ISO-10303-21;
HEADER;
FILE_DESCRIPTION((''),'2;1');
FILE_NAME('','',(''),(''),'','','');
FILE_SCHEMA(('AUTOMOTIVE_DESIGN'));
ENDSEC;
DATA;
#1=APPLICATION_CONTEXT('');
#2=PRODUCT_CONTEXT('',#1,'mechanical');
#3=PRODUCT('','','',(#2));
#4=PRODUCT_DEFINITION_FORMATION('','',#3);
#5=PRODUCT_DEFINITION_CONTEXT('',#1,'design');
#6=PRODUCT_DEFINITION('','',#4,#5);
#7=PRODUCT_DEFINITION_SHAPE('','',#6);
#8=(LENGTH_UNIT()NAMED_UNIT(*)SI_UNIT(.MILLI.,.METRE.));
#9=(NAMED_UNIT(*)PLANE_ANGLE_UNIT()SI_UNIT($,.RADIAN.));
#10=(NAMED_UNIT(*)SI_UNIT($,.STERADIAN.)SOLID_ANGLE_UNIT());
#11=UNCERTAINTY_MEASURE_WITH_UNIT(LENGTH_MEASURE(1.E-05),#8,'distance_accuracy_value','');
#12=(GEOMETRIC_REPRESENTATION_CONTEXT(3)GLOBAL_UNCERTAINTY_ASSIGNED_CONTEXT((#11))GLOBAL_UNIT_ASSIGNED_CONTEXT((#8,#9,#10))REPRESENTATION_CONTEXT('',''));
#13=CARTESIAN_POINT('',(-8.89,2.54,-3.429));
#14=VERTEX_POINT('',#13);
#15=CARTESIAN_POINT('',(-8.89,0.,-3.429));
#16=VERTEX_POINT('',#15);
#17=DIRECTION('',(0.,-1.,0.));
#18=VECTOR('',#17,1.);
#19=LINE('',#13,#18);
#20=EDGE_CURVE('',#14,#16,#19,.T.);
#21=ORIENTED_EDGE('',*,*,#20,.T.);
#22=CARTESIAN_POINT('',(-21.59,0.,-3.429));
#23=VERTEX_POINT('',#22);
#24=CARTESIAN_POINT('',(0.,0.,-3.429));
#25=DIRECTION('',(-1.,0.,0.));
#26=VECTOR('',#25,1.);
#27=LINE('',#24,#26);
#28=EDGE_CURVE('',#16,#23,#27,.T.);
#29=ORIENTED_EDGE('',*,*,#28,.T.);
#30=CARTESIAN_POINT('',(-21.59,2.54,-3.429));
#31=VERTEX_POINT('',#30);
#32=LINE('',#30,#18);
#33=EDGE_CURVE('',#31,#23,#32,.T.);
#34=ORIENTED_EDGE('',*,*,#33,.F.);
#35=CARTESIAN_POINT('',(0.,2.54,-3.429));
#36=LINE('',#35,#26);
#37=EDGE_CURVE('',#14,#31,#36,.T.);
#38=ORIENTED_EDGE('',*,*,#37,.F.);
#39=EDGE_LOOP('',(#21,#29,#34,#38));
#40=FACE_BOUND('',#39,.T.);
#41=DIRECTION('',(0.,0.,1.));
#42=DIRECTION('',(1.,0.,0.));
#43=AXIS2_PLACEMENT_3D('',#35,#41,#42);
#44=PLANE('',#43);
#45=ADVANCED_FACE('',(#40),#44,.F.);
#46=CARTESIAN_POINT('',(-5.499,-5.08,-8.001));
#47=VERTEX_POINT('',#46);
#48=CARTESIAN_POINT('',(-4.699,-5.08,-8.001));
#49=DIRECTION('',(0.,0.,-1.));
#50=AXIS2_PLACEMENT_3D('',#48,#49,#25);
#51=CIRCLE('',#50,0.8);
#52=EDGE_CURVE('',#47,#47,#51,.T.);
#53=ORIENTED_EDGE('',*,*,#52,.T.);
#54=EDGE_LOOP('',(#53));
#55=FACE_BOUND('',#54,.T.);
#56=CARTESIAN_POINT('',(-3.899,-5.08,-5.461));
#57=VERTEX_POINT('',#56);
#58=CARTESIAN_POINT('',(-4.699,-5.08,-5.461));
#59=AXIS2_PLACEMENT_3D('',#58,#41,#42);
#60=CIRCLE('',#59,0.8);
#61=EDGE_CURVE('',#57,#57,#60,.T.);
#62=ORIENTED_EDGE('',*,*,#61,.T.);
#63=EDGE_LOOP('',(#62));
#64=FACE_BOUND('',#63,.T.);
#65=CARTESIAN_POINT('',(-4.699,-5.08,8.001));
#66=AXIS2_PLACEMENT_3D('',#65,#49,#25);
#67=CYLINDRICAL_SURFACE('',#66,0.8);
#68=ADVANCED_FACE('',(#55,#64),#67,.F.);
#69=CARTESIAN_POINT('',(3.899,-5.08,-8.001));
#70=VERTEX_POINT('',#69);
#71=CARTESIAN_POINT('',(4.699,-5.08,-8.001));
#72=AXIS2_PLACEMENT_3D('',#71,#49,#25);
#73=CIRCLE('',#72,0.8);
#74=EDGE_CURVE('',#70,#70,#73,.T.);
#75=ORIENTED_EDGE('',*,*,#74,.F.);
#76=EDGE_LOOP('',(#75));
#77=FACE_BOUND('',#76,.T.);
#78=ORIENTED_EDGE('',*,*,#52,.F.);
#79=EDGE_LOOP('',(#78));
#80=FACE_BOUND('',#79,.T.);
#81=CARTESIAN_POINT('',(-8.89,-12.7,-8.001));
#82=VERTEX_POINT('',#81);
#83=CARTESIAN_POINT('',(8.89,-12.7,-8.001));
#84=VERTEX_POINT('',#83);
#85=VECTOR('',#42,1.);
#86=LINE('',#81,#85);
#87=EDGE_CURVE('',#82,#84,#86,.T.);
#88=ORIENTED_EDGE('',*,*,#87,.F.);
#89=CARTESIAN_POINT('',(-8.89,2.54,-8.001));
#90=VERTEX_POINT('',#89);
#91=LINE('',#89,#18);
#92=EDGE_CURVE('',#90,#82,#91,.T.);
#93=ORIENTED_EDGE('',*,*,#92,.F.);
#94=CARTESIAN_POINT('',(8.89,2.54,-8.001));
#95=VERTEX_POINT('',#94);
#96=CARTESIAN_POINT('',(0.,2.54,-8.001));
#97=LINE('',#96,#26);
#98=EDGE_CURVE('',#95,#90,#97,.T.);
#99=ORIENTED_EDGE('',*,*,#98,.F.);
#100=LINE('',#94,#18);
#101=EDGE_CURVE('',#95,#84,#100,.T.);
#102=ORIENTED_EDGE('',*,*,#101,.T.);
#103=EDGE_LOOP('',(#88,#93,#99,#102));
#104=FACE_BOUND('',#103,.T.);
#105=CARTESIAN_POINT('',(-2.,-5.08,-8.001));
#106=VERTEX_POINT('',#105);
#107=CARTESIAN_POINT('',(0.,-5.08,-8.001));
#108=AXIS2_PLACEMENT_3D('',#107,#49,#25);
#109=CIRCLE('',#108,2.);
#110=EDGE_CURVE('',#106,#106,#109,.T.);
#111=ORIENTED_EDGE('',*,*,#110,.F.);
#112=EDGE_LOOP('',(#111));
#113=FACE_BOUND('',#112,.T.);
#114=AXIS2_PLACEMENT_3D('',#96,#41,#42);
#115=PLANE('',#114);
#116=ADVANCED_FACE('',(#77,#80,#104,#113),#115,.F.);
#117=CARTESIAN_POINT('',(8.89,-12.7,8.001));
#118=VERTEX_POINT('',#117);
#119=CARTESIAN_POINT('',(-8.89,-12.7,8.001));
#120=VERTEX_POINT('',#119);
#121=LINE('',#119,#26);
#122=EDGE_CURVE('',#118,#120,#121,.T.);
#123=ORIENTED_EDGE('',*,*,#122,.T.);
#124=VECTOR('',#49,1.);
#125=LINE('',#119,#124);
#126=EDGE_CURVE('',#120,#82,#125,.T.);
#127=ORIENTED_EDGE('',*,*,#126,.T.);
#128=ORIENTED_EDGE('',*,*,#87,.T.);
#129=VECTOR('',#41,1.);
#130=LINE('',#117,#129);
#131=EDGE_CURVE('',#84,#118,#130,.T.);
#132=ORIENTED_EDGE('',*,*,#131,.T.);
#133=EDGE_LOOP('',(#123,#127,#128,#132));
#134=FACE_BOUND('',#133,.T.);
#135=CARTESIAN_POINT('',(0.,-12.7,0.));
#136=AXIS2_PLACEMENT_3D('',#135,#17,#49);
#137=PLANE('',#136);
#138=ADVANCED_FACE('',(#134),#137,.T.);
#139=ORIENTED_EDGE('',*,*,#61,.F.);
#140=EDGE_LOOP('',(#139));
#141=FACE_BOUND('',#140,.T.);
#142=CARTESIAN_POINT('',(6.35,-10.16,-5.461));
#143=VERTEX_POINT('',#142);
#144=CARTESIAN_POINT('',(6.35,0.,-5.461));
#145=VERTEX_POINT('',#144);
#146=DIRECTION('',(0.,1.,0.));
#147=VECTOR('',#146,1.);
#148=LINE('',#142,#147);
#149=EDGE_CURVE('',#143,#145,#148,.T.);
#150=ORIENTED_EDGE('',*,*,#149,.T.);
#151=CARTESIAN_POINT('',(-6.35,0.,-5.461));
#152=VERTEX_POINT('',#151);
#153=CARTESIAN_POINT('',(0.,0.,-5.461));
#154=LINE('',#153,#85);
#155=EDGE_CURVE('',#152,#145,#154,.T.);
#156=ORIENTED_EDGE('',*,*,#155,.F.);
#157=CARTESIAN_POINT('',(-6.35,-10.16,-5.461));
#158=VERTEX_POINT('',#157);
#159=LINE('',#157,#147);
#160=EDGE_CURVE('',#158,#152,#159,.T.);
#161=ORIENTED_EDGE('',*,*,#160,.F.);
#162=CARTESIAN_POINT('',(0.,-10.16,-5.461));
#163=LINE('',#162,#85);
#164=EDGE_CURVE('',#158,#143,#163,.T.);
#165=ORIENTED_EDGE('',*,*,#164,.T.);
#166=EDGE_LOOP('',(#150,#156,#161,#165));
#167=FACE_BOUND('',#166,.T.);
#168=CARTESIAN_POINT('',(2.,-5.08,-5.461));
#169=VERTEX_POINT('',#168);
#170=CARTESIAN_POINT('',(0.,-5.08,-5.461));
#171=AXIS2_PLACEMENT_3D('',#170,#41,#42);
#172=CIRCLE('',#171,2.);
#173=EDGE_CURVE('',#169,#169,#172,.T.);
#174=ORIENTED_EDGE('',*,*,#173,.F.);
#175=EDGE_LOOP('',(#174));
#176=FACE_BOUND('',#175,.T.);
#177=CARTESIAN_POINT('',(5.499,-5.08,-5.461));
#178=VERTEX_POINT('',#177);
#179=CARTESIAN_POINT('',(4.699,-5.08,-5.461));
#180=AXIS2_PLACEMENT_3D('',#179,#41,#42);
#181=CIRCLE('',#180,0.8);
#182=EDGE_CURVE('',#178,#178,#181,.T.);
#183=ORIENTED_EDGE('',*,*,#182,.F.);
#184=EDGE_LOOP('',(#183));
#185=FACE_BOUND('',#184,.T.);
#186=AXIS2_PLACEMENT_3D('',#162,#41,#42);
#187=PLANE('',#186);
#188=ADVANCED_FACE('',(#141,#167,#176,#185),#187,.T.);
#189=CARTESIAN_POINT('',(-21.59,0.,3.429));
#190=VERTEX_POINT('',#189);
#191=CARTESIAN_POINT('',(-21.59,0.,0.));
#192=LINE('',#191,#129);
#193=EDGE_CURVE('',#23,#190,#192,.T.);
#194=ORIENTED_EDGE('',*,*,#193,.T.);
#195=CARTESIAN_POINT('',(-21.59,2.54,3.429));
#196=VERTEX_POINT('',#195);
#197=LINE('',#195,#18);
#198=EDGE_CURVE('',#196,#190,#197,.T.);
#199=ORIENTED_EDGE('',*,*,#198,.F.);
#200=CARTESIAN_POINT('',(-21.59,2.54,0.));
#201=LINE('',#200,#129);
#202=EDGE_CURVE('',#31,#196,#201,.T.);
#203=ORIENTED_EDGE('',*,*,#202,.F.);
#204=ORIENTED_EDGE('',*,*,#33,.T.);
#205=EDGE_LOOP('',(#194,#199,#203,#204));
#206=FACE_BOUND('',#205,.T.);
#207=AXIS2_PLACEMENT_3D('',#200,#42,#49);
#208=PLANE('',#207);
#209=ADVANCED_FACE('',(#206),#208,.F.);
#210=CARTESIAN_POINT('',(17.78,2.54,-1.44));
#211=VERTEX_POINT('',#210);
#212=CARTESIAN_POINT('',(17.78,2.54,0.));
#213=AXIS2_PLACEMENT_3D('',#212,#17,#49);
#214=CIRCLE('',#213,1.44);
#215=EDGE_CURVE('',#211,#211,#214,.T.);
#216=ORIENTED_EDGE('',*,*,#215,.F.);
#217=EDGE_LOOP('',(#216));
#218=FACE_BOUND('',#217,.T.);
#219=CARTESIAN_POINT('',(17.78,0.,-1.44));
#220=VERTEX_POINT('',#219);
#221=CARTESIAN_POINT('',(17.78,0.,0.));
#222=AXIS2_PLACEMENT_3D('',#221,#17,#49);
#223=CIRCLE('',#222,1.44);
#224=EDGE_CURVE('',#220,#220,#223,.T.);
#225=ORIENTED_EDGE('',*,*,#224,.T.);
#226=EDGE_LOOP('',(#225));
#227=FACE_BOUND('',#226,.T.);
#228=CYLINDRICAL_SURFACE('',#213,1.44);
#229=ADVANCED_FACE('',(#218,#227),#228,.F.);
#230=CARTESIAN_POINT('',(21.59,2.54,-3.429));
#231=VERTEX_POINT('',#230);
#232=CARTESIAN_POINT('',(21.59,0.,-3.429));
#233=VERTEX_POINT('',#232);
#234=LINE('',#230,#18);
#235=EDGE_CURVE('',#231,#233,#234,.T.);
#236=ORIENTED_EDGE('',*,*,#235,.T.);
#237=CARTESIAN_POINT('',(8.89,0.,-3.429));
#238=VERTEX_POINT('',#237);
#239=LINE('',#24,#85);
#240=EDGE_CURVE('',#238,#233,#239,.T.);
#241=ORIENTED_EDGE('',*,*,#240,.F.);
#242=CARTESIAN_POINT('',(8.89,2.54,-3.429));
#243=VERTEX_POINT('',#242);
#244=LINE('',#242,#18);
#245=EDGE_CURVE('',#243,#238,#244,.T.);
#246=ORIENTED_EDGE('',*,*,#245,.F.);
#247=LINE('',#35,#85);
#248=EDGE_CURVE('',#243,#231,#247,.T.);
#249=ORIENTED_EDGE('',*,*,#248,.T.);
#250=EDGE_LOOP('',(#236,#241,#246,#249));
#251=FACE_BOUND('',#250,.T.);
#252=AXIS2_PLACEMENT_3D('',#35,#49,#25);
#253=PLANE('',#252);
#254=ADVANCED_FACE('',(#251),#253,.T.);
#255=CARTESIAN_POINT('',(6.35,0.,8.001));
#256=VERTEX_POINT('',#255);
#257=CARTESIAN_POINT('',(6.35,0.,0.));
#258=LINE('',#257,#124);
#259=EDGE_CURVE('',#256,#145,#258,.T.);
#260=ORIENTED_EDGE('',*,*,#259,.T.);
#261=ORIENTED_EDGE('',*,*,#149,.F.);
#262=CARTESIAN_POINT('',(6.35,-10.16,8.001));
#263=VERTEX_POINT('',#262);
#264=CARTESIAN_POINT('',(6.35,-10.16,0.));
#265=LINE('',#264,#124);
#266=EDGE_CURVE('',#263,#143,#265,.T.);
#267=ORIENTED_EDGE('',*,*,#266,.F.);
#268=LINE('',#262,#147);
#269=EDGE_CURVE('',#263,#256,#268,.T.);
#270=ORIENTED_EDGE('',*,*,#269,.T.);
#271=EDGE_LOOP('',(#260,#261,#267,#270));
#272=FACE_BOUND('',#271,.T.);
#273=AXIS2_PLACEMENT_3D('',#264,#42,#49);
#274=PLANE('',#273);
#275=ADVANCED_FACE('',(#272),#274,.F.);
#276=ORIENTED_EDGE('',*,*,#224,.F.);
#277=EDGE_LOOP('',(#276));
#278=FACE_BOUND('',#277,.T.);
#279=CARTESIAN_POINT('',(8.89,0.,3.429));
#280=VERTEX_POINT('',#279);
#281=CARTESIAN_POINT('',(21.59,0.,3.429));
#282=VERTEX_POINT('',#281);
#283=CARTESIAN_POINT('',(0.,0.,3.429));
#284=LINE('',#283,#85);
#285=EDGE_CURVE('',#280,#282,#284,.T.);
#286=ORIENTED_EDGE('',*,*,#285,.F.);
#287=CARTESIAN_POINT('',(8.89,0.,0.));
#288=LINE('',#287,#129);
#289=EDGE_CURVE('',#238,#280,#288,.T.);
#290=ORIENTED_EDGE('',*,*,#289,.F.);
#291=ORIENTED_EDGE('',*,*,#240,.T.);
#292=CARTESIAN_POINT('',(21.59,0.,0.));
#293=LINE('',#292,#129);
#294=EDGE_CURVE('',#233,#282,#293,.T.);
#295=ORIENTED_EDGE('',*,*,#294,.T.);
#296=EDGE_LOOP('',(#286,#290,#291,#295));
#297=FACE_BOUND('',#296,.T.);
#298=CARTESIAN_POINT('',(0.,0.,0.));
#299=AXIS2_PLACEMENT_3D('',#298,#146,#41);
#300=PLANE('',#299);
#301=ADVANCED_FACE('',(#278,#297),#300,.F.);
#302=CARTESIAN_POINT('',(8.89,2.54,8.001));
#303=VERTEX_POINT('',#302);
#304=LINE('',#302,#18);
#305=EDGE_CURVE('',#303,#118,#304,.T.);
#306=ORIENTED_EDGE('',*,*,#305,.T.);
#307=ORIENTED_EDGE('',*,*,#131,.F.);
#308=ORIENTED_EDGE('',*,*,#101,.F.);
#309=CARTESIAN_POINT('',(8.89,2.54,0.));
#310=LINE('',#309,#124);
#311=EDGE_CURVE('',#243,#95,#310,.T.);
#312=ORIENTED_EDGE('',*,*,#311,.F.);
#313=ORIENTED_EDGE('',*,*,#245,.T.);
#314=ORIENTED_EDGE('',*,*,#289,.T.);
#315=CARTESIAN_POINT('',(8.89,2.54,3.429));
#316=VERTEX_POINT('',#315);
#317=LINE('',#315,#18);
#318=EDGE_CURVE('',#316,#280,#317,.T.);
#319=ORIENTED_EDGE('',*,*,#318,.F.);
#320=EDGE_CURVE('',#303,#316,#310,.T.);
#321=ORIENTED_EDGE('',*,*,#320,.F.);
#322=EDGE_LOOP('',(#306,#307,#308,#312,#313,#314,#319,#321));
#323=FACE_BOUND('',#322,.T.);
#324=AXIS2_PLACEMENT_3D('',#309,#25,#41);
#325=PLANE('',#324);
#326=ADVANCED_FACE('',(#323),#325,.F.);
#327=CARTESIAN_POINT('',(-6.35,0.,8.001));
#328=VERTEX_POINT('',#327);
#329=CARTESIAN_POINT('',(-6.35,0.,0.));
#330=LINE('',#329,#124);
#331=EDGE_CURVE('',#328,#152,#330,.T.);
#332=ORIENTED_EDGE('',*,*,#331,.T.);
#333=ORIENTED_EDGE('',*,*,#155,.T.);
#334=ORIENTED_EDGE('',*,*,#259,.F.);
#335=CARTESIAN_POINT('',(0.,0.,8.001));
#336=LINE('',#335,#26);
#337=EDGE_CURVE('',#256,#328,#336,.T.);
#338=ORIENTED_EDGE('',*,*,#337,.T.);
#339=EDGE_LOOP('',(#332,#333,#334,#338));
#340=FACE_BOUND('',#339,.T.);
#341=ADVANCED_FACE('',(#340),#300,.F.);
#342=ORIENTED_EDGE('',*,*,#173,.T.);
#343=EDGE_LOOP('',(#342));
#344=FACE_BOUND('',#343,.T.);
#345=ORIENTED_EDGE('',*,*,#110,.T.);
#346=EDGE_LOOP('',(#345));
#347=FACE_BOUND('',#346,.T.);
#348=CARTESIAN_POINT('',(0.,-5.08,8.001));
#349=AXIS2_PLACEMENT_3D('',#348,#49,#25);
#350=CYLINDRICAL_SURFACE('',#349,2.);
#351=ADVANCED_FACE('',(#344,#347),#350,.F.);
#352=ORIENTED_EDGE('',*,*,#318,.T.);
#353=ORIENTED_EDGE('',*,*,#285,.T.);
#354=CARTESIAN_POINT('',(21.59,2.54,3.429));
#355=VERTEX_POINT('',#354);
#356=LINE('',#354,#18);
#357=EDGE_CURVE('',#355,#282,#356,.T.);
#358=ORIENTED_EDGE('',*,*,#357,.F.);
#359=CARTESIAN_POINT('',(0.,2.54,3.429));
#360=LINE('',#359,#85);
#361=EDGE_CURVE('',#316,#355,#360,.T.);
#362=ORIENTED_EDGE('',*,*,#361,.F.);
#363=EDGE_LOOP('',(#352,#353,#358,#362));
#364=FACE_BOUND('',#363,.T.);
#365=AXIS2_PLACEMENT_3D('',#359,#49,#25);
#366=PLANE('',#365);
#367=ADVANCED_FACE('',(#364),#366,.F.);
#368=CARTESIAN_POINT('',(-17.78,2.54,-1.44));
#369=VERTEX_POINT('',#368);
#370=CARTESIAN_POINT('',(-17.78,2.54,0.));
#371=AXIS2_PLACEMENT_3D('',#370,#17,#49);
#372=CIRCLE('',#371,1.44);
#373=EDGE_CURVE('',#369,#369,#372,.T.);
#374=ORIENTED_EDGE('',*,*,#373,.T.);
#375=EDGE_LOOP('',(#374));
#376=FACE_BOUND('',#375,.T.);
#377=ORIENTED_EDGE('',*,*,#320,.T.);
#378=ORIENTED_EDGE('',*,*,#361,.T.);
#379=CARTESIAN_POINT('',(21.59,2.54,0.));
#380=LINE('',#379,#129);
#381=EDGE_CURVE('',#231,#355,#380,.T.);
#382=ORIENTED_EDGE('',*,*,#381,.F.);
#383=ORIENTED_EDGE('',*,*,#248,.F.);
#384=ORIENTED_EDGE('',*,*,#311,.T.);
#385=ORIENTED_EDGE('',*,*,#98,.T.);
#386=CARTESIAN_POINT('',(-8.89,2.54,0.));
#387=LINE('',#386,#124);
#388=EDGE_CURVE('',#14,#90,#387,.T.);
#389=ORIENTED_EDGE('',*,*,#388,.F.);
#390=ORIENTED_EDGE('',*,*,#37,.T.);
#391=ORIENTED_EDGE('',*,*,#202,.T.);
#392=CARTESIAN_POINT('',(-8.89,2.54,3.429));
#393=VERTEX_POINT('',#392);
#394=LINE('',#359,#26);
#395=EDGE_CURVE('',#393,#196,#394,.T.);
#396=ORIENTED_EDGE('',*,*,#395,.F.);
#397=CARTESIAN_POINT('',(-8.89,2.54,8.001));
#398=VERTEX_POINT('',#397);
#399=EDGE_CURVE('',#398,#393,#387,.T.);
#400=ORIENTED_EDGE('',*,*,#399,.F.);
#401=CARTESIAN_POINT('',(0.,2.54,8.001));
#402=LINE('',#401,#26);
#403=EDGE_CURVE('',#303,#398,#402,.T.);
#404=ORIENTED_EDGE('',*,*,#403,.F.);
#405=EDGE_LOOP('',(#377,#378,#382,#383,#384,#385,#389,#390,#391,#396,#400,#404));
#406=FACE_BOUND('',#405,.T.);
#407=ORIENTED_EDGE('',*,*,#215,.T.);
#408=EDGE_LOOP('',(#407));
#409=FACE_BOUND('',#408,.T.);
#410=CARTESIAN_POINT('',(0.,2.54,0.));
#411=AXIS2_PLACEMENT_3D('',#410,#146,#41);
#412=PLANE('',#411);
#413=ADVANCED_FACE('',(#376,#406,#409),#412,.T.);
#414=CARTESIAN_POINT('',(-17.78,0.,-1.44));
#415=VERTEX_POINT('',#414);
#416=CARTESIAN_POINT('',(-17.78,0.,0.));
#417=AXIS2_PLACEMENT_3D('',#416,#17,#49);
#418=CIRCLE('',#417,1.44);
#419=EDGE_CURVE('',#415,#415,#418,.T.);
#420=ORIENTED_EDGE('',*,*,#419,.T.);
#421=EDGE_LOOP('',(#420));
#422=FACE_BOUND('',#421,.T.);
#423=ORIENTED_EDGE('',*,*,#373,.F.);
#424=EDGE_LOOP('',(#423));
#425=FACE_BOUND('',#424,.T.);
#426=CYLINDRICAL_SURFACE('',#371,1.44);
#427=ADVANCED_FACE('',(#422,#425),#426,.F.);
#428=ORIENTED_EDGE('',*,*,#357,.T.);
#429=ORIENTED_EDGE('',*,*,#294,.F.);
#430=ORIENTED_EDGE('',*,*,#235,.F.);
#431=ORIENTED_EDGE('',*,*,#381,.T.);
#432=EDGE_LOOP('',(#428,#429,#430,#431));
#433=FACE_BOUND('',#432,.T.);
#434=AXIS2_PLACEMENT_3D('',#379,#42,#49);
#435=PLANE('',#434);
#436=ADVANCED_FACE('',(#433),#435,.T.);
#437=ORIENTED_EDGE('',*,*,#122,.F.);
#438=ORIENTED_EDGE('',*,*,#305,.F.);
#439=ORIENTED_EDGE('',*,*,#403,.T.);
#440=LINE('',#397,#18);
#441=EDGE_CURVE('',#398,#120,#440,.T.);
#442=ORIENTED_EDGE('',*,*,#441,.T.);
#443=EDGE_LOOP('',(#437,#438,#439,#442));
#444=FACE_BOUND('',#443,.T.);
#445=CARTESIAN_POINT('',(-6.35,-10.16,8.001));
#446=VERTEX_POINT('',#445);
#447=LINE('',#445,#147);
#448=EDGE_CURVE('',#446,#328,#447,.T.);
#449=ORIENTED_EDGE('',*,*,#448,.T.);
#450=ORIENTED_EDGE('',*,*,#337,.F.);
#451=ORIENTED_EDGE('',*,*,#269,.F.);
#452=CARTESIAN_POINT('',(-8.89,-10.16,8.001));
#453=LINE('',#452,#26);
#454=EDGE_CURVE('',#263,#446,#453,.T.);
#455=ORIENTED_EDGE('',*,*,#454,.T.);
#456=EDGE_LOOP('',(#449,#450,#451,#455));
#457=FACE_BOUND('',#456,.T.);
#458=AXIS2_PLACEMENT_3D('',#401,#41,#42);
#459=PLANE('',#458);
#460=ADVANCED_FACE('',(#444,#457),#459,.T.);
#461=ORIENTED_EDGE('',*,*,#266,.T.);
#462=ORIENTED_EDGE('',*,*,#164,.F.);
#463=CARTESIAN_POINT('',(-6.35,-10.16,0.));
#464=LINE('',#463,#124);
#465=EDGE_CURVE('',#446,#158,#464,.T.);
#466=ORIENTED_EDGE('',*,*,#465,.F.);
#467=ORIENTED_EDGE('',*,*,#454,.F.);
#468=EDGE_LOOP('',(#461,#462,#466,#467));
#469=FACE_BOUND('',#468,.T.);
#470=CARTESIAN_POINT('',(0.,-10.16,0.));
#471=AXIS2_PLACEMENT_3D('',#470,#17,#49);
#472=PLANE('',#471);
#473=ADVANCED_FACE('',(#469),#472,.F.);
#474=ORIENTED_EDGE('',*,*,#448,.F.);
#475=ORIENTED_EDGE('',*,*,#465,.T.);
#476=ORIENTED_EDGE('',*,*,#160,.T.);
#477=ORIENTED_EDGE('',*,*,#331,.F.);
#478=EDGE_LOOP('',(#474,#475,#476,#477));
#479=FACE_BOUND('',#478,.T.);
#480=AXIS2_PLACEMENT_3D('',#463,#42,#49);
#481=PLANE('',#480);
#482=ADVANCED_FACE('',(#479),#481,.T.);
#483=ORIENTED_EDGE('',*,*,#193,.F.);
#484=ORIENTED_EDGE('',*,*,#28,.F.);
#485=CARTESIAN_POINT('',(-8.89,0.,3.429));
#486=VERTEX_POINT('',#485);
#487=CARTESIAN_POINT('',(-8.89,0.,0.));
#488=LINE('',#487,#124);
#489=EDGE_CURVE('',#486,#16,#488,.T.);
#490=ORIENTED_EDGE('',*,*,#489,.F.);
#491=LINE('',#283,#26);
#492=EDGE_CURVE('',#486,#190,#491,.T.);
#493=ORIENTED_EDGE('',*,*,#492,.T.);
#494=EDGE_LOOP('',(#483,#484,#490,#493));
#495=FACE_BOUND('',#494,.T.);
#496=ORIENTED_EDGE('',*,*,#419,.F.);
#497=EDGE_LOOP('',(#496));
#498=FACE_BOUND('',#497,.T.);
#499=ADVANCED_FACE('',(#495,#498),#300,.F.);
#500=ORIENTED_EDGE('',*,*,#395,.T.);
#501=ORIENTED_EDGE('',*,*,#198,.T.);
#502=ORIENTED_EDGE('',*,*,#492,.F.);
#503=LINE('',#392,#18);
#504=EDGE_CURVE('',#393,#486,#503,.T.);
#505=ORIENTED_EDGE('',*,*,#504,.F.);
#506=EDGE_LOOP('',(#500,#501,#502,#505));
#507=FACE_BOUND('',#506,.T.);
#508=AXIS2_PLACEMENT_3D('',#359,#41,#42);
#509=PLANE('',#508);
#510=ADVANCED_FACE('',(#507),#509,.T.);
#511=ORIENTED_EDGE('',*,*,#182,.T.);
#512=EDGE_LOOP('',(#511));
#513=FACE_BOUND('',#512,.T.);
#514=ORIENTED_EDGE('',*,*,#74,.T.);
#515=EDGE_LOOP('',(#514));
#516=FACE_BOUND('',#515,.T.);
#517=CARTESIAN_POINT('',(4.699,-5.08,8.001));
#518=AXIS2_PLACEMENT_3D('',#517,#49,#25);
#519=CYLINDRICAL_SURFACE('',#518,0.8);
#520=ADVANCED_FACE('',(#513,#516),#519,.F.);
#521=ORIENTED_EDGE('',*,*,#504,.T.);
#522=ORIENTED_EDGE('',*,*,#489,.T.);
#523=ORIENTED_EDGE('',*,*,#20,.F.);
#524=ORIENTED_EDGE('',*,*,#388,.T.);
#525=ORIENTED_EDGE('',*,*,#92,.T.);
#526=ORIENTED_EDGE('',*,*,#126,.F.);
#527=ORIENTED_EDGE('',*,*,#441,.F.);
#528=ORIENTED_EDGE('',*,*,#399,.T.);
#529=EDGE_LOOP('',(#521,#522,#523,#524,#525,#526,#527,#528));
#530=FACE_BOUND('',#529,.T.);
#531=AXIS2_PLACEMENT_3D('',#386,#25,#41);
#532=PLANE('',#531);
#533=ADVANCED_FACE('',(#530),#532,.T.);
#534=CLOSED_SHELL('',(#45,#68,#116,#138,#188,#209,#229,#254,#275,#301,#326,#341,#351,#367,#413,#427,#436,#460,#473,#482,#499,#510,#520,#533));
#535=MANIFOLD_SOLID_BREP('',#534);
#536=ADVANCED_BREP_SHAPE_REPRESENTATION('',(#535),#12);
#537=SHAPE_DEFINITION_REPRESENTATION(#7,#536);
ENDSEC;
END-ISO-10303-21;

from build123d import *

# Parameters (mm, degrees)
SKETCH1_W           = 17.78
SKETCH1_H           = 16.002
SKETCH1_W_2         = 12.7
SKETCH1_H_2         = 6.858
BOSS_EXTRUDE1_DEPTH = 2.54
SKETCH2_R           = 1.44
CUT_EXTRUDE1_DEPTH  = 24.164535415
SKETCH3_W           = 12.7
SKETCH3_H           = 2.54
BOSS_EXTRUDE2_DEPTH = 10.16
SKETCH4_W           = 17.78
SKETCH4_H           = 16.002
BOSS_EXTRUDE3_DEPTH = 2.54
SKETCH5_R           = 2
SKETCH5_R_2         = 0.8
CUT_EXTRUDE2_DEPTH  = 30.723426855


with BuildPart() as part:
    # Sketch1 → Boss-Extrude1 (new body)
    with BuildSketch(Plane(origin=(0, 0, 0), x_dir=(1, 0, 0), z_dir=(0, 1, 0))):
        Rectangle(SKETCH1_W, SKETCH1_H)
        with Locations((-15.24, 0)):
            Rectangle(SKETCH1_W_2, SKETCH1_H_2)
        with Locations((15.24, 0)):
            Rectangle(SKETCH1_W_2, SKETCH1_H_2)
    extrude(amount=BOSS_EXTRUDE1_DEPTH)

    # Sketch2 → Cut-Extrude1 (cut, through all)
    with BuildSketch(Plane.XZ):
        with Locations(Location((-17.78, 0, 0), (0, 0, 270))):
            Circle(SKETCH2_R)
        with Locations(Location((17.78, 0, 0), (0, 0, 270))):
            Circle(SKETCH2_R)
    extrude(amount=-CUT_EXTRUDE1_DEPTH, mode=Mode.SUBTRACT)

    # Sketch3 → Boss-Extrude2 (add)
    with BuildSketch(Plane(origin=(0, 0, 0), x_dir=(-1, 0, 0), z_dir=(0, -1, 0))):
        Polygon((6.35, -8.001), (8.89, -8.001), (8.89, -3.429), (8.89, 3.429), (8.89, 8.001), (6.35, 8.001), (6.35, 5.461), align=None)
        with Locations((0, 6.731)):
            Rectangle(SKETCH3_W, SKETCH3_H)
        Polygon((-8.89, -8.001), (-6.35, -8.001), (-6.35, 5.461), (-6.35, 8.001), (-8.89, 8.001), (-8.89, 3.429), (-8.89, -3.429), align=None)
    extrude(amount=BOSS_EXTRUDE2_DEPTH)

    # Sketch4 → Boss-Extrude3 (add)
    with BuildSketch(Plane(origin=(0, -10.16, 0), x_dir=(-1, 0, 0), z_dir=(0, -1, 0))):
        Rectangle(SKETCH4_W, SKETCH4_H)
    extrude(amount=BOSS_EXTRUDE3_DEPTH)

    # Sketch5 → Cut-Extrude2 (cut, through all)
    with BuildSketch(Plane(origin=(0, 0, -8.001), x_dir=(-1, 0, 0), z_dir=(0, 0, -1))):
        with Locations((0, -5.08)):
            Circle(SKETCH5_R)
        with Locations((4.699, -5.08)):
            Circle(SKETCH5_R_2)
        with Locations((-4.699, -5.08)):
            Circle(SKETCH5_R_2)
    extrude(amount=-CUT_EXTRUDE2_DEPTH, mode=Mode.SUBTRACT)


solid = part.part
